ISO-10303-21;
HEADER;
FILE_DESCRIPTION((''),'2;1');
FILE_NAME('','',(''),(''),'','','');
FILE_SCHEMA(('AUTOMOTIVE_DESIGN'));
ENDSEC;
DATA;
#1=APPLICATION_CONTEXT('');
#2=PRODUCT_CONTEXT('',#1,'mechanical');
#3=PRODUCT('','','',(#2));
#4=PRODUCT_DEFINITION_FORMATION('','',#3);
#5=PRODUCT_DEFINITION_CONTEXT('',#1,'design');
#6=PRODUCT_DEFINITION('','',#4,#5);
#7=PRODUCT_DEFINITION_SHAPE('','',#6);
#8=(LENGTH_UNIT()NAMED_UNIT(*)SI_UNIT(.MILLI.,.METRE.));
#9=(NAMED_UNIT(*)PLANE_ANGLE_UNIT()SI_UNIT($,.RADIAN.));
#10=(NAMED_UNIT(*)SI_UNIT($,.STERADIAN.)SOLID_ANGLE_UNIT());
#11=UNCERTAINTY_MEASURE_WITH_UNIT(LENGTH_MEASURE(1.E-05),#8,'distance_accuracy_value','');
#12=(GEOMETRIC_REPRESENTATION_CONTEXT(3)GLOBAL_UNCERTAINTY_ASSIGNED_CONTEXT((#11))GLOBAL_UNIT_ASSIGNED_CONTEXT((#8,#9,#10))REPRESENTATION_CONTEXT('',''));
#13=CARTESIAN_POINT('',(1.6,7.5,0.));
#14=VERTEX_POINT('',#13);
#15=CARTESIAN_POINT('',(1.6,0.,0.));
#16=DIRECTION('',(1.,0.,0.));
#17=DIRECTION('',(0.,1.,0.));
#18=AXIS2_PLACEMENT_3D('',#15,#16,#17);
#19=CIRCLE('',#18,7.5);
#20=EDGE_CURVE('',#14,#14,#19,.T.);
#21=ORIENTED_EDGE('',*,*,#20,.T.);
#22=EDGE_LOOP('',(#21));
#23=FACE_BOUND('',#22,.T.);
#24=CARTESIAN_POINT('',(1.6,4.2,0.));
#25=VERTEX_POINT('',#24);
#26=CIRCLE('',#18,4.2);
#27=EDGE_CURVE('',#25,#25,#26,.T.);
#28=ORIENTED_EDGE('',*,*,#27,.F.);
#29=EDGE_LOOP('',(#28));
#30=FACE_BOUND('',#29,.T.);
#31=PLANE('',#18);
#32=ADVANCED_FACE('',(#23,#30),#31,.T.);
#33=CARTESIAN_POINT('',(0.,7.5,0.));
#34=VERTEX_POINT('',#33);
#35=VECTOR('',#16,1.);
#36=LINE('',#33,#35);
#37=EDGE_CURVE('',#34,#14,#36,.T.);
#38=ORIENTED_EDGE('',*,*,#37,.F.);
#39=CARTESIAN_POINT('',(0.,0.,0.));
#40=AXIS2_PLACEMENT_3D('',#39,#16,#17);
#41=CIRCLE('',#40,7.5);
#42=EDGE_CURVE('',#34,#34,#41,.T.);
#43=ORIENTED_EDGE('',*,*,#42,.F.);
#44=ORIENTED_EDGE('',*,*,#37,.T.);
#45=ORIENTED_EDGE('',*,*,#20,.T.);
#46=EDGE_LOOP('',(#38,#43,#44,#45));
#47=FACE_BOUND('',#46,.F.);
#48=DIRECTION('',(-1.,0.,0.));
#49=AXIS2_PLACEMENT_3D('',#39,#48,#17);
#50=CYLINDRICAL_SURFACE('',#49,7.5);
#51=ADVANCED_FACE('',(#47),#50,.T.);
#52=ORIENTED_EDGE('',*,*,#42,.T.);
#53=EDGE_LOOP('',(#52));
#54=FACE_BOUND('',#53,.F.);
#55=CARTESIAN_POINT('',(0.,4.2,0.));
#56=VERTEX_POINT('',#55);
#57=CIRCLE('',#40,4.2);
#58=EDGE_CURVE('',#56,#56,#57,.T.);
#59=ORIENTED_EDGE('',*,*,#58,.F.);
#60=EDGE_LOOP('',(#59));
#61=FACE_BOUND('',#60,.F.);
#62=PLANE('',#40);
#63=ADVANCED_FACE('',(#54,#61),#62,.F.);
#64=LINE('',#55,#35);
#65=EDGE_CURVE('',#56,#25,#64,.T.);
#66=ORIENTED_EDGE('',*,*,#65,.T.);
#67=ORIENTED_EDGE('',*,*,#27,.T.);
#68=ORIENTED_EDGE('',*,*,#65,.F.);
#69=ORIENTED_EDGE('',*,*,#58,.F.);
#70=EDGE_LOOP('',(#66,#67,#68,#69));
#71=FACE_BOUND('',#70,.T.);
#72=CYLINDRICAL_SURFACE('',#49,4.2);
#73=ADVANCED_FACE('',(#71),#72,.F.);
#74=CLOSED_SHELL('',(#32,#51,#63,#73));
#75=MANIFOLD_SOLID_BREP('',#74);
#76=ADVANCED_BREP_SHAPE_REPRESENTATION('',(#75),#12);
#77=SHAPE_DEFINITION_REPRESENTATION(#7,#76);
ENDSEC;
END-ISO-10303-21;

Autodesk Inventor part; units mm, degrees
ref_plane "YZ Plane" through (0, 0, 0) normal (1, 0, 0) x (0, 1, 0)
ref_plane "XZ Plane" through (0, 0, 0) normal (0, 1, 0) x (-1, 0, 0)
sketch "Sketch" plane through (0, 0, 0) normal (1, 0, 0) x (0, 1, 0)
  circle A0 centre (0, 0) radius 7.5
  circle A1 centre (0, 0) radius 4.2
  dimension "d0" = 8.4
  dimension "d1" = 15
extrude "Body" add sketch "Sketch" along normal blind 1.6
ref_plane "Work Plane1" through (0, 0, 0) normal (0, 0, 1) x (1, 0, 0)
equation "\"d0\" = SD1"
equation "\"d1\" = SD2"
equation "\"d2\" = SD"
equation "\"SD1\" = 8.4"
equation "\"SD2\" = 15"
equation "\"SD\" = 1.6"
equation "\"NND\" = 8"
properties part number "DIN 433 - 8,4" material "Steel, Mild"
